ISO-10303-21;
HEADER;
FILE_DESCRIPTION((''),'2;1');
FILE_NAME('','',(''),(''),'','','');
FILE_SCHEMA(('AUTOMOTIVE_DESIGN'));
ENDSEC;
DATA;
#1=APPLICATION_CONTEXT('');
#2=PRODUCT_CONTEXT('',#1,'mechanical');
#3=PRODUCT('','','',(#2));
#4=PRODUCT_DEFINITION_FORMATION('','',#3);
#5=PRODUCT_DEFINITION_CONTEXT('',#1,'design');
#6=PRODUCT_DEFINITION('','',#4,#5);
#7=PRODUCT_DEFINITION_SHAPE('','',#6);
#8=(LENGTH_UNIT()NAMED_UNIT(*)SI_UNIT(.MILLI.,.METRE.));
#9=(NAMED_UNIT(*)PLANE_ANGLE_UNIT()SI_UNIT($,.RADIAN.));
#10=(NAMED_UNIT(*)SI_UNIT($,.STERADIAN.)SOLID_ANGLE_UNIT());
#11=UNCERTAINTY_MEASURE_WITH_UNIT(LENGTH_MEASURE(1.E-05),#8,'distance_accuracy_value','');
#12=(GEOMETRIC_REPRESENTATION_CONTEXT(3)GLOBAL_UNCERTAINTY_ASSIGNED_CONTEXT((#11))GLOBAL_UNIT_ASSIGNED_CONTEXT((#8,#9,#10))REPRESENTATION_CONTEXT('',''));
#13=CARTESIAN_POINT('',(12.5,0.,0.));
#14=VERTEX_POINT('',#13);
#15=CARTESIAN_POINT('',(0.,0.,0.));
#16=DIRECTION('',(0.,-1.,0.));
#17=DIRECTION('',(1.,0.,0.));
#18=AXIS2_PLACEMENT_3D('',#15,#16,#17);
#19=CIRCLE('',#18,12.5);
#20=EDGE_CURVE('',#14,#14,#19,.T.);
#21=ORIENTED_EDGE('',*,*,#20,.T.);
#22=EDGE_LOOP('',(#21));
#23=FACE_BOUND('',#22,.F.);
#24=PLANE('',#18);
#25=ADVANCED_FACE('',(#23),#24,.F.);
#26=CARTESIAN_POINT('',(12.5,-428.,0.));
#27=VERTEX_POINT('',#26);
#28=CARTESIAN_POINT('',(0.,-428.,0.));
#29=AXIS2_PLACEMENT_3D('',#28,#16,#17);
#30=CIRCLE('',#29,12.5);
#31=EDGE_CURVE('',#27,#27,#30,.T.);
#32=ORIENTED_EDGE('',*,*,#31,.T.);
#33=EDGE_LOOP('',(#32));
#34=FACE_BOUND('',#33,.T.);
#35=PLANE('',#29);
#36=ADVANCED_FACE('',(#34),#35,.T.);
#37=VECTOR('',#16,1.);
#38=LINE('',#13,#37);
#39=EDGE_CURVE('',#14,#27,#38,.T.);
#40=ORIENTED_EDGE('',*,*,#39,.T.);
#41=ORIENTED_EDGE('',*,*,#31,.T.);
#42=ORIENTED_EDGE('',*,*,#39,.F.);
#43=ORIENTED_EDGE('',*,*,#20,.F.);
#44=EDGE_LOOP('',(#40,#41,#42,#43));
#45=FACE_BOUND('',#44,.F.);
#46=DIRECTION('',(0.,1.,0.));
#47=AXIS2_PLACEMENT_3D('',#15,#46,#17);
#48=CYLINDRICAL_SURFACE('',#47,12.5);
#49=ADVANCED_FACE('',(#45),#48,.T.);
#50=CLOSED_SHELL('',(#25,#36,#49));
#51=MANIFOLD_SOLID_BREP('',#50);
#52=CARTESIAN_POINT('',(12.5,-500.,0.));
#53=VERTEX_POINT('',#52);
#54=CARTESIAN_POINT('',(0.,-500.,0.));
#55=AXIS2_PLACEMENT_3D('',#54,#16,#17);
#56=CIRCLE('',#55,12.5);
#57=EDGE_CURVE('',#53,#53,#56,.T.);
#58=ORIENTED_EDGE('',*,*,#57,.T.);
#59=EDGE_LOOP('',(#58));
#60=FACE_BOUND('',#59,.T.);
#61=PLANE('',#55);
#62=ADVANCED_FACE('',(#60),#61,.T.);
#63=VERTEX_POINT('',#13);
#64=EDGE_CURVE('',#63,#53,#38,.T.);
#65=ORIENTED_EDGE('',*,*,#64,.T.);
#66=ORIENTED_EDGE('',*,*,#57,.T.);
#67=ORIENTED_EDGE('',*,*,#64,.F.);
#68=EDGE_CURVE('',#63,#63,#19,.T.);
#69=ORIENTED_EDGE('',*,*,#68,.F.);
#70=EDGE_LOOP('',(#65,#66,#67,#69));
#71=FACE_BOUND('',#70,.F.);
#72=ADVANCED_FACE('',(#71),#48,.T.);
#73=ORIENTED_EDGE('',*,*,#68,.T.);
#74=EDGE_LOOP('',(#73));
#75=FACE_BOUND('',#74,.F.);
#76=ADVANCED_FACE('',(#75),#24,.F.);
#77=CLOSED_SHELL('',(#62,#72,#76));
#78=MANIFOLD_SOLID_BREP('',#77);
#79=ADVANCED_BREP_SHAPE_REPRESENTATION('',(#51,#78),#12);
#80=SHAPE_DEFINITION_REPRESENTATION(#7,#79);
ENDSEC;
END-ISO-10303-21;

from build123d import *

# Parameters (mm, degrees)
SKETCH_R     = 12.5
PAD_DEPTH    = 500
SKETCH001_R  = 12.5
PAD001_DEPTH = 428


with BuildPart() as linear_shaft_25x500:
    # Sketch → Pad (new body)
    with BuildSketch(Plane.XZ):
        Circle(SKETCH_R)
    extrude(amount=PAD_DEPTH)


with BuildPart() as linear_shaft_25x428:
    # Sketch001 → Pad001 (new body)
    with BuildSketch(Plane.XZ):
        Circle(SKETCH001_R)
    extrude(amount=PAD001_DEPTH)


solid = Compound([linear_shaft_25x500.part, linear_shaft_25x428.part])
